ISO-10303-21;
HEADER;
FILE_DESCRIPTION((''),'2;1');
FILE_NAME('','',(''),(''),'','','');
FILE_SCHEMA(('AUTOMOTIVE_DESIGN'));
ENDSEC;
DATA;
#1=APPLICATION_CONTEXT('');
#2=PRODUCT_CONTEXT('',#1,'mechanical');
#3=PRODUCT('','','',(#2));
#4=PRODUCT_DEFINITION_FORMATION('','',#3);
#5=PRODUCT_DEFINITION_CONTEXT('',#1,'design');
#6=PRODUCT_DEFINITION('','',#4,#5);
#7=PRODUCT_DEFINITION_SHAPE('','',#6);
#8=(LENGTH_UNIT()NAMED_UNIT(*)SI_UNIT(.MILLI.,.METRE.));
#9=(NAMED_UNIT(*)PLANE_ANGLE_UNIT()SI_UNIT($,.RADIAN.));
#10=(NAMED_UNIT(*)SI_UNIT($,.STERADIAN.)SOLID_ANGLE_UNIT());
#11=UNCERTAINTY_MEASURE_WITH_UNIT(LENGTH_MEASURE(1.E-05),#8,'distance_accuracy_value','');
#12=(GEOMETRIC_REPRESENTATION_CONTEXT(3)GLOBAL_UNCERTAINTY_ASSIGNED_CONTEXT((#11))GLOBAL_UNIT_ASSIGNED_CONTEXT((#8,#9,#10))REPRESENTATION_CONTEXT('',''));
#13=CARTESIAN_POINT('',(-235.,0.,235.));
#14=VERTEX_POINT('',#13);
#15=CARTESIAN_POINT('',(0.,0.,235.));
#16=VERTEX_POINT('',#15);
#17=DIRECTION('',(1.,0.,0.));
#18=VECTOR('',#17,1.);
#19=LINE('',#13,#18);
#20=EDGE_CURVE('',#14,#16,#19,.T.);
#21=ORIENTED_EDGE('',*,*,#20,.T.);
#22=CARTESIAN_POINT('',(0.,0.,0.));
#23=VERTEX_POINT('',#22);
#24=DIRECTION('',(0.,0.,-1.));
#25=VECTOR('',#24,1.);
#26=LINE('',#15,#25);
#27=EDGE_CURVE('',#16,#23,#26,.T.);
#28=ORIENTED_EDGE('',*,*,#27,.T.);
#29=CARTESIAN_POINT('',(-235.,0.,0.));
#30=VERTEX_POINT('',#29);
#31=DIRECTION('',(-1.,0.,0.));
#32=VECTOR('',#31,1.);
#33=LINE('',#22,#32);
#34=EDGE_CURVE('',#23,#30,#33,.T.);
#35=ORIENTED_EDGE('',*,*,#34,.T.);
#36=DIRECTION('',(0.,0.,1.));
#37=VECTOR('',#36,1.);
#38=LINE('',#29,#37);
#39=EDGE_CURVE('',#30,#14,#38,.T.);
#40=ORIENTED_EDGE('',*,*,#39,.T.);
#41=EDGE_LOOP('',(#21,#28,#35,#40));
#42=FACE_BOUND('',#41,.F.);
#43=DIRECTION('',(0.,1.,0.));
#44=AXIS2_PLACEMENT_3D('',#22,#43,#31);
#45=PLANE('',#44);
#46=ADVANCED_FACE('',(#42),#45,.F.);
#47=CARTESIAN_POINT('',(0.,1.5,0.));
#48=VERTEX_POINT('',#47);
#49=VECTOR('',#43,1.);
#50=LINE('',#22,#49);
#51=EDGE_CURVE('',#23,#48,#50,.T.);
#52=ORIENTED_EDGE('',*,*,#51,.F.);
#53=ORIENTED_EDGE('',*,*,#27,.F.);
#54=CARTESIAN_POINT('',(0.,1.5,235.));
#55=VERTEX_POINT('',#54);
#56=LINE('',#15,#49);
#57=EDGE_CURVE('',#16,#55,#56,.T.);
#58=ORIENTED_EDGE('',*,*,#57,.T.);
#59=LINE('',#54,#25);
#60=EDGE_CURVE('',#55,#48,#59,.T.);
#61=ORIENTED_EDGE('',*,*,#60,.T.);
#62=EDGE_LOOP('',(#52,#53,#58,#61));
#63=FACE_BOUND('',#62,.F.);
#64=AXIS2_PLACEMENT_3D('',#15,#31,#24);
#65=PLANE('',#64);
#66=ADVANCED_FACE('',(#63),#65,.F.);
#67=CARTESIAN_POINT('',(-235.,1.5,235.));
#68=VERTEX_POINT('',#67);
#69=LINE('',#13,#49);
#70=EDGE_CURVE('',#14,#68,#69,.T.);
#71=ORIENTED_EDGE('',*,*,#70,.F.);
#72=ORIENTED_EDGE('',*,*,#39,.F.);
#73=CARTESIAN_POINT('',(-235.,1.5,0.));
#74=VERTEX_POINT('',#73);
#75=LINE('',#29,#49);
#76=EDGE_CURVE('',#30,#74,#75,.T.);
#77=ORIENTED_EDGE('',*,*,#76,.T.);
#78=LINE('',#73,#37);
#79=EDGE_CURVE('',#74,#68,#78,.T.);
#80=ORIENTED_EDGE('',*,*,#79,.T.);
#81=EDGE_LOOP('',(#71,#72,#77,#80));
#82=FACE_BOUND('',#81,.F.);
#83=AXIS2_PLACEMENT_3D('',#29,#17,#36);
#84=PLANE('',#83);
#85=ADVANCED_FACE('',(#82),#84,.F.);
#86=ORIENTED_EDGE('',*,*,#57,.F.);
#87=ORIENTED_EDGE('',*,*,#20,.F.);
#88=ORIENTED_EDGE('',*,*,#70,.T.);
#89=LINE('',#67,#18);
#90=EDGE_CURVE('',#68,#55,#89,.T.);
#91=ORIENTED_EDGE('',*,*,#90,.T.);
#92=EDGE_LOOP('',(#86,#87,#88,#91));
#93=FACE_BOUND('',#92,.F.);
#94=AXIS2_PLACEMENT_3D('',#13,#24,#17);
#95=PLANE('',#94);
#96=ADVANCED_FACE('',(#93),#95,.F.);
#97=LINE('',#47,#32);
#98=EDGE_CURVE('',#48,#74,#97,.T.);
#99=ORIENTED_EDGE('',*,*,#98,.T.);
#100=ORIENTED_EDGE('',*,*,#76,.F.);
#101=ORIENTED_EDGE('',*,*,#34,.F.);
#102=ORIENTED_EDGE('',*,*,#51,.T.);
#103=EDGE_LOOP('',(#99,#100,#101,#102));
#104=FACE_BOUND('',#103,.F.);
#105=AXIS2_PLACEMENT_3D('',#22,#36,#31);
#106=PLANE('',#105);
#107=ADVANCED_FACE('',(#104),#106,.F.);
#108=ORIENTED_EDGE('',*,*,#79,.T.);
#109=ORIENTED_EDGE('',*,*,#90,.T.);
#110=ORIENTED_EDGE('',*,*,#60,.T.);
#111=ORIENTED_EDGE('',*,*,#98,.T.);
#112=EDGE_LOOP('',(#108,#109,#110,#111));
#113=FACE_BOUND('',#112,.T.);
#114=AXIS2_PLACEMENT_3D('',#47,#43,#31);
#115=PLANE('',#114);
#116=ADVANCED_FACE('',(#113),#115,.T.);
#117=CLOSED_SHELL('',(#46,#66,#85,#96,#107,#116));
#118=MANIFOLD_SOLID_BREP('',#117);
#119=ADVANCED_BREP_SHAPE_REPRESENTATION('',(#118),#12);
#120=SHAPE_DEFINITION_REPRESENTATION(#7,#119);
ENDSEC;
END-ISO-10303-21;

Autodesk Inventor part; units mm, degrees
ref_plane "YZ Plane" through (0, 0, 0) normal (1, 0, 0) x (0, 1, 0)
ref_plane "XZ Plane" through (0, 0, 0) normal (0, 1, 0) x (-1, 0, 0)
ref_plane "XY Plane" through (0, 0, 0) normal (0, 0, 1) x (1, 0, 0)
sketch "Sketch1" plane through (0, 0, 0) normal (0, 1, 0) x (-1, 0, 0)
  line L0 (0, 0) -> (235, 0)
  line L1 (235, 0) -> (235, 235)
  line L2 (235, 235) -> (0, 235)
  line L3 (0, 235) -> (0, 0)
  dimension "d0" = 235
  dimension "d1" = 235
extrude "Extrusion1" add sketch "Sketch1" along normal blind 1.5
properties part number "Laminat235x235"
